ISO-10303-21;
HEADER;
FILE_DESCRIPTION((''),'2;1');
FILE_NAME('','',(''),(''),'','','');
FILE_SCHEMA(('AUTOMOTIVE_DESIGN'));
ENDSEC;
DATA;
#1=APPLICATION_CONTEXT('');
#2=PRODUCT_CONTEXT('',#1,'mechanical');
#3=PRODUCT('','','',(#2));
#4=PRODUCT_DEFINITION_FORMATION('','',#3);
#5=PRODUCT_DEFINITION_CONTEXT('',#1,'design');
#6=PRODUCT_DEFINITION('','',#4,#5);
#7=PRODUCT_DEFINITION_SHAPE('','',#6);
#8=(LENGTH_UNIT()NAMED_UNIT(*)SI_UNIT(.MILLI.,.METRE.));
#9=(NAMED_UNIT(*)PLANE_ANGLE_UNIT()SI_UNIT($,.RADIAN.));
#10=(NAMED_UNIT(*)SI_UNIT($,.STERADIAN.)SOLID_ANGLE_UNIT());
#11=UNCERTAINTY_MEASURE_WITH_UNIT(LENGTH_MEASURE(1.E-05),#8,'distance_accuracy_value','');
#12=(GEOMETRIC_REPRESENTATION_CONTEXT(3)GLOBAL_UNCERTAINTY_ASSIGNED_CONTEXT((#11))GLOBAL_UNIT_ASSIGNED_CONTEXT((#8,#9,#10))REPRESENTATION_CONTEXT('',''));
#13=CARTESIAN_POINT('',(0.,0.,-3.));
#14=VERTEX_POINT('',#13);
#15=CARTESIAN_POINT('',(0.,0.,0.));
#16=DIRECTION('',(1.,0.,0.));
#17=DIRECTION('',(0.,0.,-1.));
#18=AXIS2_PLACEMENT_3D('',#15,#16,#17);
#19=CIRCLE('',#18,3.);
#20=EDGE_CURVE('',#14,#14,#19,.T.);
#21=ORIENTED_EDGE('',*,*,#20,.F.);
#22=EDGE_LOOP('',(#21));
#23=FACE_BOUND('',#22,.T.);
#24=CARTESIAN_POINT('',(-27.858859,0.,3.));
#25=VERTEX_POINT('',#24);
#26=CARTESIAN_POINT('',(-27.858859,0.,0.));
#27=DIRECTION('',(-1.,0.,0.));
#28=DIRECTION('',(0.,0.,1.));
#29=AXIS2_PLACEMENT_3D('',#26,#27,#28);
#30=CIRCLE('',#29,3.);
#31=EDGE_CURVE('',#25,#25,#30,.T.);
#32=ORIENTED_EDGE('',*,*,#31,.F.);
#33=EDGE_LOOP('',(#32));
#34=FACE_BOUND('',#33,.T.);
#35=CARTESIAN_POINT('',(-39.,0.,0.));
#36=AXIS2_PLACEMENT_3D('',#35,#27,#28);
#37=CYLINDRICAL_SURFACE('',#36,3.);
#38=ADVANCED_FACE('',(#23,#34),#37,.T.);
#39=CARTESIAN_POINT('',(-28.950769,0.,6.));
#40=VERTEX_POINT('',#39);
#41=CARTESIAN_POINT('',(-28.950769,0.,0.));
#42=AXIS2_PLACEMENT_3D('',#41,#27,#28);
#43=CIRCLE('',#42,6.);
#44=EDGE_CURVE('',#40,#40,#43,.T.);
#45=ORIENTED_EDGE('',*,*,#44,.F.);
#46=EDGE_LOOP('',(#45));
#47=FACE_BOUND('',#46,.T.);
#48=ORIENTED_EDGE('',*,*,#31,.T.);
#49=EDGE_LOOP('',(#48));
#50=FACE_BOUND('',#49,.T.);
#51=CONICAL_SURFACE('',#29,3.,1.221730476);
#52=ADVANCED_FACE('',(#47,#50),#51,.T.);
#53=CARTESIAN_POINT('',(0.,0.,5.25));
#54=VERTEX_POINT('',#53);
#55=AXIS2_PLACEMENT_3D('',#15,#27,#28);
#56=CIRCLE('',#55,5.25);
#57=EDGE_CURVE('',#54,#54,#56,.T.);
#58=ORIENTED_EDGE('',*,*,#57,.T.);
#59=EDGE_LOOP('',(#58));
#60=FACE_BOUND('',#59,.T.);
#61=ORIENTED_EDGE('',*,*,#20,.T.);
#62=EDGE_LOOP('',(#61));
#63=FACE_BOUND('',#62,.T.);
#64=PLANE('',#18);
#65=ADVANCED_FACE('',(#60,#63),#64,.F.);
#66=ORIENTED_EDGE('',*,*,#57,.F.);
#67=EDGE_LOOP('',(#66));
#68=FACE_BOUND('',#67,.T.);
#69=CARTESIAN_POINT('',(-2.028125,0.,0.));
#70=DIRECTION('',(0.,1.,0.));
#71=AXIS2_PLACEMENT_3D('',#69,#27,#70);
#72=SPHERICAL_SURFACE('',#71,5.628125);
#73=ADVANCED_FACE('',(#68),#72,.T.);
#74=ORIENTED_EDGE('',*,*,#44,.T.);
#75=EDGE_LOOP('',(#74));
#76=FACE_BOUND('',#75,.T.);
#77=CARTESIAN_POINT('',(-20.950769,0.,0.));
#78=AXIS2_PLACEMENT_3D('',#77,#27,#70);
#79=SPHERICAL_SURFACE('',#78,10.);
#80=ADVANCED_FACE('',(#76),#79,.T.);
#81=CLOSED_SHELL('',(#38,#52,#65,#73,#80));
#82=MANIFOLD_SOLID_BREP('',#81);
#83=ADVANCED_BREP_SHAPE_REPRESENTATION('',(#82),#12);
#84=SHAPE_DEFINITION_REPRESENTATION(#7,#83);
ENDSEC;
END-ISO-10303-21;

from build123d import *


with BuildPart() as part:
    # Sketch1 → Base-Revolve (revolve)
    with BuildSketch(Plane.XY, mode=Mode.PRIVATE) as base_revolve_sk:
        with BuildLine():
            Line((-30.950769237, 0), (0, 0))
            Line((0, 0), (0, 3))
            Line((0, 3), (-27.858858534, 3))
            Line((-27.858858534, 3), (-28.950769237, 6))
            ThreePointArc((-28.950769237, 6), (-30.437602218, 3.16227766), (-30.950769237, 0))
        make_face()
    revolve(base_revolve_sk.sketch.rotate(Axis((-39, 0, 0), (1, 0, 0)), 90), axis=Axis((-39, 0, 0), (1, 0, 0)))

    # Sketch2 → HeadTypeA (revolve)
    with BuildSketch(Plane.XY):
        with BuildLine():
            Line((0, 0), (3.6, 0))
            ThreePointArc((3.6, 0), (2.613552069, 3.182864276), (0, 5.25))
            Line((0, 5.25), (0, 0))
        make_face()
    revolve(axis=Axis((-49, 0, 0), (1, 0, 0)))


solid = part.part
